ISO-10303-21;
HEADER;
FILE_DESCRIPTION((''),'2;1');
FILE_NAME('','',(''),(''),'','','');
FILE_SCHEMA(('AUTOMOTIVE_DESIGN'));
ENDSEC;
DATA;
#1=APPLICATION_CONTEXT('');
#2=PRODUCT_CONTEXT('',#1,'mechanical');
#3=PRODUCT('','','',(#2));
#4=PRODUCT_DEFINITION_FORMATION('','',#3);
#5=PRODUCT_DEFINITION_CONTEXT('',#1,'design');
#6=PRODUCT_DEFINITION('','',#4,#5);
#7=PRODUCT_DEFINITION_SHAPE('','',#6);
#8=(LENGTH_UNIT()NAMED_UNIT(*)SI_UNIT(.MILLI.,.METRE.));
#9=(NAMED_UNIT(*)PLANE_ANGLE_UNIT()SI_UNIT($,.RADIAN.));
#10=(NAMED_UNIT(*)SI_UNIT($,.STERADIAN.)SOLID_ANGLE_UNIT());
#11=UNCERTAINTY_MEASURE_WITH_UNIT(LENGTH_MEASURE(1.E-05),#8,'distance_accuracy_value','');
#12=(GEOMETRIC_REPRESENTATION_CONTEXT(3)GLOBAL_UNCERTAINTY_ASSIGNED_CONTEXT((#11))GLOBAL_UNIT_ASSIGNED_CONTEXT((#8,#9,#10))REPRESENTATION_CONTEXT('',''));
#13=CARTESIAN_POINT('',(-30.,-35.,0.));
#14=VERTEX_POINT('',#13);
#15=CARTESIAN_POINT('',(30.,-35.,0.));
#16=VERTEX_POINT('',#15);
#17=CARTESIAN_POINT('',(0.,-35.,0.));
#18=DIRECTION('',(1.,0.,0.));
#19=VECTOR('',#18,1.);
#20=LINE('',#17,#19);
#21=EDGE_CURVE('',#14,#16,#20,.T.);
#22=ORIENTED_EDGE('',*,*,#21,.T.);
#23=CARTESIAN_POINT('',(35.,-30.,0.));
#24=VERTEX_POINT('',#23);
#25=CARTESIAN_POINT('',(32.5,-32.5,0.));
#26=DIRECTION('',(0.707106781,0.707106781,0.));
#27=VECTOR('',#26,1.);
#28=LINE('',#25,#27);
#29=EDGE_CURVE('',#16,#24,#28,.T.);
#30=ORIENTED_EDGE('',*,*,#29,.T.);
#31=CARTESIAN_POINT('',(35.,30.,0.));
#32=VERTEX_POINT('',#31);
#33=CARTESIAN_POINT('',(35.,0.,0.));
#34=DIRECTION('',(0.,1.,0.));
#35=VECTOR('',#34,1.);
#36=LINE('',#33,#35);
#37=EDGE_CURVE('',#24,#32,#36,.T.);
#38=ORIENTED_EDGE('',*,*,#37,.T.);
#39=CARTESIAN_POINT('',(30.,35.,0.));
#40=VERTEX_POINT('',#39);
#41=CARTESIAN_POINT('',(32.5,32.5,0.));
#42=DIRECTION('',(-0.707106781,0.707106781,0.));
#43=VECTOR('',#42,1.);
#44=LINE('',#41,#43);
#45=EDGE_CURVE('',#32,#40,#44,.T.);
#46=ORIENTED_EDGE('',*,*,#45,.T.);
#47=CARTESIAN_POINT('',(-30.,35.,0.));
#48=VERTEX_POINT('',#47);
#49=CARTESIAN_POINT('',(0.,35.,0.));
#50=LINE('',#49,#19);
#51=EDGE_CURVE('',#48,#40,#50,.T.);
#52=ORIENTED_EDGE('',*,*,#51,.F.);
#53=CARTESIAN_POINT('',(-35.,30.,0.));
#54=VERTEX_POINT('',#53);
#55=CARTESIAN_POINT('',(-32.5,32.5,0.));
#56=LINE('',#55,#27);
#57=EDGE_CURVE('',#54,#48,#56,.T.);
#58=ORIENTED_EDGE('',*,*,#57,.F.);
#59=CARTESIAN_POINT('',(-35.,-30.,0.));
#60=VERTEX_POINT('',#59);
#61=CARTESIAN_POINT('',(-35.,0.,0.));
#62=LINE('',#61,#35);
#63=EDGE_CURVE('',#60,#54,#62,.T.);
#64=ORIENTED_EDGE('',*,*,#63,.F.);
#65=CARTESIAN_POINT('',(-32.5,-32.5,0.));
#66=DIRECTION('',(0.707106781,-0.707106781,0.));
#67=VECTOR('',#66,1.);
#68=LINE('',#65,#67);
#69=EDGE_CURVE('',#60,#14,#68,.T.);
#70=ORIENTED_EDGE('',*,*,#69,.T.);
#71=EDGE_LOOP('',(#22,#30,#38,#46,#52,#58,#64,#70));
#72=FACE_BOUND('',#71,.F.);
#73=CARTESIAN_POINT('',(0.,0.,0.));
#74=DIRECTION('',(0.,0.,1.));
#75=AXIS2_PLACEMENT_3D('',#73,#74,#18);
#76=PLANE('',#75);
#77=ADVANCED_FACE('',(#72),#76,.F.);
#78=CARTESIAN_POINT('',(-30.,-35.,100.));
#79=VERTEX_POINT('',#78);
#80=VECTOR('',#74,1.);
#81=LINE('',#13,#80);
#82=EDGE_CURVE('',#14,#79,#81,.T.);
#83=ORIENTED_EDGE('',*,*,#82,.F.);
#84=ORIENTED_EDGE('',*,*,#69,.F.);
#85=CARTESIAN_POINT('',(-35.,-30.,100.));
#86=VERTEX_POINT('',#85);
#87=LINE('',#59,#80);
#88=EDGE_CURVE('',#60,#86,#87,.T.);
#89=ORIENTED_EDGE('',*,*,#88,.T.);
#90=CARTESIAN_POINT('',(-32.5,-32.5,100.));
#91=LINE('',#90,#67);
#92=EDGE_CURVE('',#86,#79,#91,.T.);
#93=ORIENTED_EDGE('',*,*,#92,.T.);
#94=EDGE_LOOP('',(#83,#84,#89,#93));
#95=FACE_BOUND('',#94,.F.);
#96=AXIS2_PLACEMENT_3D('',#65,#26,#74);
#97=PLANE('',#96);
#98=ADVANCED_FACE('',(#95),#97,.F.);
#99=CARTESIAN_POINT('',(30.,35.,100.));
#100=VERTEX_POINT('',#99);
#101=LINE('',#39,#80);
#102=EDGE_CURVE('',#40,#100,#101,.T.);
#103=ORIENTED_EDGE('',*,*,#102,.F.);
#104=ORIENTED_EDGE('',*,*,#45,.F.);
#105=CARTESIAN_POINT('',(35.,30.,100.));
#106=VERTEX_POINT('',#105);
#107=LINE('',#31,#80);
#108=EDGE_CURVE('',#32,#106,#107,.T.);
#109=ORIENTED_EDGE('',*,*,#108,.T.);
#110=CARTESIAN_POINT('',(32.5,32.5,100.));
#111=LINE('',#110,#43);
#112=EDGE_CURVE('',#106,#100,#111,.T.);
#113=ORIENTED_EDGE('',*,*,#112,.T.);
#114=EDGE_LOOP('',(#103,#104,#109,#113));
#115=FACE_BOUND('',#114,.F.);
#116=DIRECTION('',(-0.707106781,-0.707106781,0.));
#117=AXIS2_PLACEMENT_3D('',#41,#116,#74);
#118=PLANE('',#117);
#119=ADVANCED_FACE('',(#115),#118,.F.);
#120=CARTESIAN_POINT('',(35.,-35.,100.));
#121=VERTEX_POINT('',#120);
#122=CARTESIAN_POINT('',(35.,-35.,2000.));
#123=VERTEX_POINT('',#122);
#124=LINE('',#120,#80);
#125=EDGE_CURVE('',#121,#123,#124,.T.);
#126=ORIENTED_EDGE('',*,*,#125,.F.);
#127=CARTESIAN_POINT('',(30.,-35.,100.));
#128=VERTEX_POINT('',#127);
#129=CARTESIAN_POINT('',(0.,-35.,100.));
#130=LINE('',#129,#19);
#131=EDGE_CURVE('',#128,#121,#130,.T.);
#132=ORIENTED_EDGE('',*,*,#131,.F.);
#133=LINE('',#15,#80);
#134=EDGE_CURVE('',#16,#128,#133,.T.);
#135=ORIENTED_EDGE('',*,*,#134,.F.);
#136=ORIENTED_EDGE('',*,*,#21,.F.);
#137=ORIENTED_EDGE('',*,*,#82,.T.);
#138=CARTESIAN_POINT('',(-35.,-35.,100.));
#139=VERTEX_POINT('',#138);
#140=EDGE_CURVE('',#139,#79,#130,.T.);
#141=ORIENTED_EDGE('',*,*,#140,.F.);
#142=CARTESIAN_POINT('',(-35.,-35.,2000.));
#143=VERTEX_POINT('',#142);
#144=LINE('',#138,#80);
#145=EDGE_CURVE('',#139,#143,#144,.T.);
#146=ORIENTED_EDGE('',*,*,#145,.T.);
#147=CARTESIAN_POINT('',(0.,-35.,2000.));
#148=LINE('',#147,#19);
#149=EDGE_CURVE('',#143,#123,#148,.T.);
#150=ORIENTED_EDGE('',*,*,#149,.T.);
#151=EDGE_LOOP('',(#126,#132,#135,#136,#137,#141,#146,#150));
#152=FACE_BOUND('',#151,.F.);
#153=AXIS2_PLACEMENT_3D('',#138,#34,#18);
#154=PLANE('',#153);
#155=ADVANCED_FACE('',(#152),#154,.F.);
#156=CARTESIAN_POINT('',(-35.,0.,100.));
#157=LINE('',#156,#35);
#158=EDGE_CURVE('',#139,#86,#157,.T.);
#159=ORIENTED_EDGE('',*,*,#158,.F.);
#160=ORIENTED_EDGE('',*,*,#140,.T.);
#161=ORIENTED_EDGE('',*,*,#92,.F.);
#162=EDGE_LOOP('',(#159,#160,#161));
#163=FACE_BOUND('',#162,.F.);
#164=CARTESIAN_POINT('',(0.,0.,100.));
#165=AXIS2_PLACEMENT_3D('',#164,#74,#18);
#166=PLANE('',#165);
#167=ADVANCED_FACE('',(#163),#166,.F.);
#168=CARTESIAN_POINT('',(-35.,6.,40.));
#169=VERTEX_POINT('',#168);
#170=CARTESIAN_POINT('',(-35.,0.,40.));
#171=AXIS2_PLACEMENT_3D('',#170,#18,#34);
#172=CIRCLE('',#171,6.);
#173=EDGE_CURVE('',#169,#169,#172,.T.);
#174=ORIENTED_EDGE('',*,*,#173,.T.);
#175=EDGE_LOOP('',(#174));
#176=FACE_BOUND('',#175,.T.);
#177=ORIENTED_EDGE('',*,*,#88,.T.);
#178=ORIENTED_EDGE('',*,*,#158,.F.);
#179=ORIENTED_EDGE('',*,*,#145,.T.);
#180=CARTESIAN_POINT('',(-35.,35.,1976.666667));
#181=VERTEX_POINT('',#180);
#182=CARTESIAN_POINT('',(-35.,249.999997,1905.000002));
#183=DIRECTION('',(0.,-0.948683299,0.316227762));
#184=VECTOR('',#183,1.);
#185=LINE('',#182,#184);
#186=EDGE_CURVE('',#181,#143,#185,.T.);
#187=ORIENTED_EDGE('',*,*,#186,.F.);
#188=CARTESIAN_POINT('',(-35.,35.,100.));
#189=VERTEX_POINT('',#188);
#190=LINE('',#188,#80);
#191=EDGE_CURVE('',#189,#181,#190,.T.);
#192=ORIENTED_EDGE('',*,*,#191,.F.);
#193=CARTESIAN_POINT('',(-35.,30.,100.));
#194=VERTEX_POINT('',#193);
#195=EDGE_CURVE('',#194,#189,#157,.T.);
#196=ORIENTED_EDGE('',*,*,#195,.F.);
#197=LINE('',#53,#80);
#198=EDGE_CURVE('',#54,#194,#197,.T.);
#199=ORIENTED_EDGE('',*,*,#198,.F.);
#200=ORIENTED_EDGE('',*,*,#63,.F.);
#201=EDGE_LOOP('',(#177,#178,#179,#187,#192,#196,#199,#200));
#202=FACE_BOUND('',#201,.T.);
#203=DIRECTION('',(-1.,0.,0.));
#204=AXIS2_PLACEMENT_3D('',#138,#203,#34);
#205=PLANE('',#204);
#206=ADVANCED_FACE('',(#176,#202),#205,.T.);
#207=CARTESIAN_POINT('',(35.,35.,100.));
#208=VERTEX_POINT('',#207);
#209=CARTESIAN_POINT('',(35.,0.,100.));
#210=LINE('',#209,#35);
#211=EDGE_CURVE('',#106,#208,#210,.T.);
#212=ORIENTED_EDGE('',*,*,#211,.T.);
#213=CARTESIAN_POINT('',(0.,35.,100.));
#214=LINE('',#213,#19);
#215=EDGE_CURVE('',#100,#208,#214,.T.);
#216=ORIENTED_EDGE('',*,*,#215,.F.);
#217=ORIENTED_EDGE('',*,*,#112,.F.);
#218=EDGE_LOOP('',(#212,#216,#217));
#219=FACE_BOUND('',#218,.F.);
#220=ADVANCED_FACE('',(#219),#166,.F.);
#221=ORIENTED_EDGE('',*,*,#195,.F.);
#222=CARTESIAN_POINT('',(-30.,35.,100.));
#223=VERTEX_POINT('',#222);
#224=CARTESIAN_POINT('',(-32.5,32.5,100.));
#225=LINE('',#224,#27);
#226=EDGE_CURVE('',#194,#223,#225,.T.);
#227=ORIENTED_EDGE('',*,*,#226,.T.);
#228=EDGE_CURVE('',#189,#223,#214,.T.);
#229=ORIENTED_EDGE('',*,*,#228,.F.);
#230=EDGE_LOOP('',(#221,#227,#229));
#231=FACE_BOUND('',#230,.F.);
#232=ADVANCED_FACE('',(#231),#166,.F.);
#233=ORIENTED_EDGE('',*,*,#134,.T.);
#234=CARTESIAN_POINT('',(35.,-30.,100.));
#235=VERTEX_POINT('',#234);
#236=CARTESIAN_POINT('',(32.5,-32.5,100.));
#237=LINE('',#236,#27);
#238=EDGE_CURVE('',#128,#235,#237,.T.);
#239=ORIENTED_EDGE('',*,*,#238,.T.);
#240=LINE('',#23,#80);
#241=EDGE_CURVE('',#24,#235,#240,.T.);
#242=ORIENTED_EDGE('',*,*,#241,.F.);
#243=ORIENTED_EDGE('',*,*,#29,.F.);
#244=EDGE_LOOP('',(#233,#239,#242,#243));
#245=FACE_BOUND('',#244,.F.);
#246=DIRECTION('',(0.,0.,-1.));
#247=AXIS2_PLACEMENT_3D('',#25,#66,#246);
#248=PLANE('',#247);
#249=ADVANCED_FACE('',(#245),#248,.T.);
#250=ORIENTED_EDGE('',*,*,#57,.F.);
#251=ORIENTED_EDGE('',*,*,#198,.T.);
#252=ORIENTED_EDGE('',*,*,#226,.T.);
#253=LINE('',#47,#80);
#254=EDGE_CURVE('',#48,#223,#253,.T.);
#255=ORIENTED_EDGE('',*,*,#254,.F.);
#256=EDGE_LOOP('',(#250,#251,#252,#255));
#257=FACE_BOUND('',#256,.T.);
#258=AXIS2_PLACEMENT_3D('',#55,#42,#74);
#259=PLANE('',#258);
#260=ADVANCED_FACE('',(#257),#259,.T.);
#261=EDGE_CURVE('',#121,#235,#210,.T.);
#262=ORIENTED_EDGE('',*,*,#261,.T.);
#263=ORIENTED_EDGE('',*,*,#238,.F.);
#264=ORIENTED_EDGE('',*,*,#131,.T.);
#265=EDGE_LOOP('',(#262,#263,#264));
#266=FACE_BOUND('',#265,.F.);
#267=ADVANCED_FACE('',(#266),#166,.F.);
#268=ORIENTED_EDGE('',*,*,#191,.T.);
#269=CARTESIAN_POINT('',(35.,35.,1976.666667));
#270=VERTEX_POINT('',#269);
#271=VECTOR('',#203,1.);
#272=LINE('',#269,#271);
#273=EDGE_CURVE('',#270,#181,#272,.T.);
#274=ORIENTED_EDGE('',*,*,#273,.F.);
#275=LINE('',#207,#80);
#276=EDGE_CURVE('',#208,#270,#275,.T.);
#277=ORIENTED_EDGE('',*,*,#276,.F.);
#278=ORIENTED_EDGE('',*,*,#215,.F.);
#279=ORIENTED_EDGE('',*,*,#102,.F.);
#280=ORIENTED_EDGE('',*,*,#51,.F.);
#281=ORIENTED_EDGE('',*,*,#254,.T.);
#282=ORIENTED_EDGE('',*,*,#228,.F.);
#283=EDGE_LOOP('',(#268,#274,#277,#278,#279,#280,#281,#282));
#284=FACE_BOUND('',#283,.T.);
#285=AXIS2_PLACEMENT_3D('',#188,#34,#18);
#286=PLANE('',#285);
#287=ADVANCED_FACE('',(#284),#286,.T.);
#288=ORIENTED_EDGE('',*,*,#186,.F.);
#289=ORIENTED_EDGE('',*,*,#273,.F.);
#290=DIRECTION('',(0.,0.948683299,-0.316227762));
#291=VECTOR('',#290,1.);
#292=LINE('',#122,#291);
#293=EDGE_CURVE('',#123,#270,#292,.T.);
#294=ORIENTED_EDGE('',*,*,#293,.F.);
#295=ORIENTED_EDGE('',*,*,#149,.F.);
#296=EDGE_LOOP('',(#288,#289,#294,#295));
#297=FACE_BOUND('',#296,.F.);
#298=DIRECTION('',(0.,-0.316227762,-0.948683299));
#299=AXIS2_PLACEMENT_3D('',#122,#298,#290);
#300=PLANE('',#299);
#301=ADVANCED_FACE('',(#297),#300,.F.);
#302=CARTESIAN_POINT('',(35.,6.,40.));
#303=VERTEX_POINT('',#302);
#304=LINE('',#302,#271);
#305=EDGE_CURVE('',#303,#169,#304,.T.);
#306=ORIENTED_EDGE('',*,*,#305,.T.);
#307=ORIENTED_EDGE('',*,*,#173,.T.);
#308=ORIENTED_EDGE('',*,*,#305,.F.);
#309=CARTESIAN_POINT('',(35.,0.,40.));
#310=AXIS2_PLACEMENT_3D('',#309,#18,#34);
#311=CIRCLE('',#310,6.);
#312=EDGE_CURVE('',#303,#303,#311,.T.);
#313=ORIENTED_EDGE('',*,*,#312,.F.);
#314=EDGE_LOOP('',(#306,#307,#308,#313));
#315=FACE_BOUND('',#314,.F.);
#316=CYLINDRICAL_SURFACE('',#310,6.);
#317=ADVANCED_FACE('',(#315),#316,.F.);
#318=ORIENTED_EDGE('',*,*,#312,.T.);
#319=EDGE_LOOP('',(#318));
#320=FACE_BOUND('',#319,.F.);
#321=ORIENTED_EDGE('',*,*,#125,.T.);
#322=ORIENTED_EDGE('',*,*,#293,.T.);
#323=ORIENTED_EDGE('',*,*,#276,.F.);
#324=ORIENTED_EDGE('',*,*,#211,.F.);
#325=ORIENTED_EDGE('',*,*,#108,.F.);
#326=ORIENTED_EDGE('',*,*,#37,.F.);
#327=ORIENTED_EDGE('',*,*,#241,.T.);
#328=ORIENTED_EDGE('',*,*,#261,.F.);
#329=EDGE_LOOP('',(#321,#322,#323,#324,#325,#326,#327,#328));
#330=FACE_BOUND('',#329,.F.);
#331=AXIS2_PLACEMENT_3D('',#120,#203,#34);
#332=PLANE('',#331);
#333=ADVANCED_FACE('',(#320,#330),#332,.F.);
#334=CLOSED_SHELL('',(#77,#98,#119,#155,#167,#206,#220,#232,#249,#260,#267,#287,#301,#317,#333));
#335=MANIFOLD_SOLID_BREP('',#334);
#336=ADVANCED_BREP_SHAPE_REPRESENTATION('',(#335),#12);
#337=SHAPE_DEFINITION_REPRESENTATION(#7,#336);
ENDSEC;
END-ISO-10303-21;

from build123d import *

# Parameters (mm, degrees)
F0_W     = 70
F0_H     = 70
F1_DEPTH = 100
F2_SIZE  = 5
F3_W     = 70
F3_H     = 70
F4_DEPTH = 1900
F5_R     = 6
F6_DEPTH = 70.001


with BuildPart() as f1:
    # F0 (on Top) → F1 (new body)
    with BuildSketch(Plane.XY):
        Rectangle(F0_W, F0_H)
    extrude(amount=F1_DEPTH)

    # F2
    f2_edges = [f1.edges().sort_by_distance(p)[0] for p in [
        (-35, -35, 50),
        (35, -35, 50),
        (35, 35, 50),
        (-35, 35, 50),
    ]]
    chamfer(f2_edges, length=F2_SIZE)

    # F3 (on face) → F4 (join)
    with BuildSketch(Plane.XY.offset(100)):
        Rectangle(F3_W, F3_H)
    extrude(amount=F4_DEPTH)

    # F5 (on face) → F6 (cut, through all)
    with BuildSketch(Plane.YZ.offset(35)):
        with Locations((0, 40)):
            Circle(F5_R)
        Polygon((35, 2000), (-35, 2000), (35, 1976.666667), align=None)
    extrude(amount=-F6_DEPTH, mode=Mode.SUBTRACT)


solid = f1.part
